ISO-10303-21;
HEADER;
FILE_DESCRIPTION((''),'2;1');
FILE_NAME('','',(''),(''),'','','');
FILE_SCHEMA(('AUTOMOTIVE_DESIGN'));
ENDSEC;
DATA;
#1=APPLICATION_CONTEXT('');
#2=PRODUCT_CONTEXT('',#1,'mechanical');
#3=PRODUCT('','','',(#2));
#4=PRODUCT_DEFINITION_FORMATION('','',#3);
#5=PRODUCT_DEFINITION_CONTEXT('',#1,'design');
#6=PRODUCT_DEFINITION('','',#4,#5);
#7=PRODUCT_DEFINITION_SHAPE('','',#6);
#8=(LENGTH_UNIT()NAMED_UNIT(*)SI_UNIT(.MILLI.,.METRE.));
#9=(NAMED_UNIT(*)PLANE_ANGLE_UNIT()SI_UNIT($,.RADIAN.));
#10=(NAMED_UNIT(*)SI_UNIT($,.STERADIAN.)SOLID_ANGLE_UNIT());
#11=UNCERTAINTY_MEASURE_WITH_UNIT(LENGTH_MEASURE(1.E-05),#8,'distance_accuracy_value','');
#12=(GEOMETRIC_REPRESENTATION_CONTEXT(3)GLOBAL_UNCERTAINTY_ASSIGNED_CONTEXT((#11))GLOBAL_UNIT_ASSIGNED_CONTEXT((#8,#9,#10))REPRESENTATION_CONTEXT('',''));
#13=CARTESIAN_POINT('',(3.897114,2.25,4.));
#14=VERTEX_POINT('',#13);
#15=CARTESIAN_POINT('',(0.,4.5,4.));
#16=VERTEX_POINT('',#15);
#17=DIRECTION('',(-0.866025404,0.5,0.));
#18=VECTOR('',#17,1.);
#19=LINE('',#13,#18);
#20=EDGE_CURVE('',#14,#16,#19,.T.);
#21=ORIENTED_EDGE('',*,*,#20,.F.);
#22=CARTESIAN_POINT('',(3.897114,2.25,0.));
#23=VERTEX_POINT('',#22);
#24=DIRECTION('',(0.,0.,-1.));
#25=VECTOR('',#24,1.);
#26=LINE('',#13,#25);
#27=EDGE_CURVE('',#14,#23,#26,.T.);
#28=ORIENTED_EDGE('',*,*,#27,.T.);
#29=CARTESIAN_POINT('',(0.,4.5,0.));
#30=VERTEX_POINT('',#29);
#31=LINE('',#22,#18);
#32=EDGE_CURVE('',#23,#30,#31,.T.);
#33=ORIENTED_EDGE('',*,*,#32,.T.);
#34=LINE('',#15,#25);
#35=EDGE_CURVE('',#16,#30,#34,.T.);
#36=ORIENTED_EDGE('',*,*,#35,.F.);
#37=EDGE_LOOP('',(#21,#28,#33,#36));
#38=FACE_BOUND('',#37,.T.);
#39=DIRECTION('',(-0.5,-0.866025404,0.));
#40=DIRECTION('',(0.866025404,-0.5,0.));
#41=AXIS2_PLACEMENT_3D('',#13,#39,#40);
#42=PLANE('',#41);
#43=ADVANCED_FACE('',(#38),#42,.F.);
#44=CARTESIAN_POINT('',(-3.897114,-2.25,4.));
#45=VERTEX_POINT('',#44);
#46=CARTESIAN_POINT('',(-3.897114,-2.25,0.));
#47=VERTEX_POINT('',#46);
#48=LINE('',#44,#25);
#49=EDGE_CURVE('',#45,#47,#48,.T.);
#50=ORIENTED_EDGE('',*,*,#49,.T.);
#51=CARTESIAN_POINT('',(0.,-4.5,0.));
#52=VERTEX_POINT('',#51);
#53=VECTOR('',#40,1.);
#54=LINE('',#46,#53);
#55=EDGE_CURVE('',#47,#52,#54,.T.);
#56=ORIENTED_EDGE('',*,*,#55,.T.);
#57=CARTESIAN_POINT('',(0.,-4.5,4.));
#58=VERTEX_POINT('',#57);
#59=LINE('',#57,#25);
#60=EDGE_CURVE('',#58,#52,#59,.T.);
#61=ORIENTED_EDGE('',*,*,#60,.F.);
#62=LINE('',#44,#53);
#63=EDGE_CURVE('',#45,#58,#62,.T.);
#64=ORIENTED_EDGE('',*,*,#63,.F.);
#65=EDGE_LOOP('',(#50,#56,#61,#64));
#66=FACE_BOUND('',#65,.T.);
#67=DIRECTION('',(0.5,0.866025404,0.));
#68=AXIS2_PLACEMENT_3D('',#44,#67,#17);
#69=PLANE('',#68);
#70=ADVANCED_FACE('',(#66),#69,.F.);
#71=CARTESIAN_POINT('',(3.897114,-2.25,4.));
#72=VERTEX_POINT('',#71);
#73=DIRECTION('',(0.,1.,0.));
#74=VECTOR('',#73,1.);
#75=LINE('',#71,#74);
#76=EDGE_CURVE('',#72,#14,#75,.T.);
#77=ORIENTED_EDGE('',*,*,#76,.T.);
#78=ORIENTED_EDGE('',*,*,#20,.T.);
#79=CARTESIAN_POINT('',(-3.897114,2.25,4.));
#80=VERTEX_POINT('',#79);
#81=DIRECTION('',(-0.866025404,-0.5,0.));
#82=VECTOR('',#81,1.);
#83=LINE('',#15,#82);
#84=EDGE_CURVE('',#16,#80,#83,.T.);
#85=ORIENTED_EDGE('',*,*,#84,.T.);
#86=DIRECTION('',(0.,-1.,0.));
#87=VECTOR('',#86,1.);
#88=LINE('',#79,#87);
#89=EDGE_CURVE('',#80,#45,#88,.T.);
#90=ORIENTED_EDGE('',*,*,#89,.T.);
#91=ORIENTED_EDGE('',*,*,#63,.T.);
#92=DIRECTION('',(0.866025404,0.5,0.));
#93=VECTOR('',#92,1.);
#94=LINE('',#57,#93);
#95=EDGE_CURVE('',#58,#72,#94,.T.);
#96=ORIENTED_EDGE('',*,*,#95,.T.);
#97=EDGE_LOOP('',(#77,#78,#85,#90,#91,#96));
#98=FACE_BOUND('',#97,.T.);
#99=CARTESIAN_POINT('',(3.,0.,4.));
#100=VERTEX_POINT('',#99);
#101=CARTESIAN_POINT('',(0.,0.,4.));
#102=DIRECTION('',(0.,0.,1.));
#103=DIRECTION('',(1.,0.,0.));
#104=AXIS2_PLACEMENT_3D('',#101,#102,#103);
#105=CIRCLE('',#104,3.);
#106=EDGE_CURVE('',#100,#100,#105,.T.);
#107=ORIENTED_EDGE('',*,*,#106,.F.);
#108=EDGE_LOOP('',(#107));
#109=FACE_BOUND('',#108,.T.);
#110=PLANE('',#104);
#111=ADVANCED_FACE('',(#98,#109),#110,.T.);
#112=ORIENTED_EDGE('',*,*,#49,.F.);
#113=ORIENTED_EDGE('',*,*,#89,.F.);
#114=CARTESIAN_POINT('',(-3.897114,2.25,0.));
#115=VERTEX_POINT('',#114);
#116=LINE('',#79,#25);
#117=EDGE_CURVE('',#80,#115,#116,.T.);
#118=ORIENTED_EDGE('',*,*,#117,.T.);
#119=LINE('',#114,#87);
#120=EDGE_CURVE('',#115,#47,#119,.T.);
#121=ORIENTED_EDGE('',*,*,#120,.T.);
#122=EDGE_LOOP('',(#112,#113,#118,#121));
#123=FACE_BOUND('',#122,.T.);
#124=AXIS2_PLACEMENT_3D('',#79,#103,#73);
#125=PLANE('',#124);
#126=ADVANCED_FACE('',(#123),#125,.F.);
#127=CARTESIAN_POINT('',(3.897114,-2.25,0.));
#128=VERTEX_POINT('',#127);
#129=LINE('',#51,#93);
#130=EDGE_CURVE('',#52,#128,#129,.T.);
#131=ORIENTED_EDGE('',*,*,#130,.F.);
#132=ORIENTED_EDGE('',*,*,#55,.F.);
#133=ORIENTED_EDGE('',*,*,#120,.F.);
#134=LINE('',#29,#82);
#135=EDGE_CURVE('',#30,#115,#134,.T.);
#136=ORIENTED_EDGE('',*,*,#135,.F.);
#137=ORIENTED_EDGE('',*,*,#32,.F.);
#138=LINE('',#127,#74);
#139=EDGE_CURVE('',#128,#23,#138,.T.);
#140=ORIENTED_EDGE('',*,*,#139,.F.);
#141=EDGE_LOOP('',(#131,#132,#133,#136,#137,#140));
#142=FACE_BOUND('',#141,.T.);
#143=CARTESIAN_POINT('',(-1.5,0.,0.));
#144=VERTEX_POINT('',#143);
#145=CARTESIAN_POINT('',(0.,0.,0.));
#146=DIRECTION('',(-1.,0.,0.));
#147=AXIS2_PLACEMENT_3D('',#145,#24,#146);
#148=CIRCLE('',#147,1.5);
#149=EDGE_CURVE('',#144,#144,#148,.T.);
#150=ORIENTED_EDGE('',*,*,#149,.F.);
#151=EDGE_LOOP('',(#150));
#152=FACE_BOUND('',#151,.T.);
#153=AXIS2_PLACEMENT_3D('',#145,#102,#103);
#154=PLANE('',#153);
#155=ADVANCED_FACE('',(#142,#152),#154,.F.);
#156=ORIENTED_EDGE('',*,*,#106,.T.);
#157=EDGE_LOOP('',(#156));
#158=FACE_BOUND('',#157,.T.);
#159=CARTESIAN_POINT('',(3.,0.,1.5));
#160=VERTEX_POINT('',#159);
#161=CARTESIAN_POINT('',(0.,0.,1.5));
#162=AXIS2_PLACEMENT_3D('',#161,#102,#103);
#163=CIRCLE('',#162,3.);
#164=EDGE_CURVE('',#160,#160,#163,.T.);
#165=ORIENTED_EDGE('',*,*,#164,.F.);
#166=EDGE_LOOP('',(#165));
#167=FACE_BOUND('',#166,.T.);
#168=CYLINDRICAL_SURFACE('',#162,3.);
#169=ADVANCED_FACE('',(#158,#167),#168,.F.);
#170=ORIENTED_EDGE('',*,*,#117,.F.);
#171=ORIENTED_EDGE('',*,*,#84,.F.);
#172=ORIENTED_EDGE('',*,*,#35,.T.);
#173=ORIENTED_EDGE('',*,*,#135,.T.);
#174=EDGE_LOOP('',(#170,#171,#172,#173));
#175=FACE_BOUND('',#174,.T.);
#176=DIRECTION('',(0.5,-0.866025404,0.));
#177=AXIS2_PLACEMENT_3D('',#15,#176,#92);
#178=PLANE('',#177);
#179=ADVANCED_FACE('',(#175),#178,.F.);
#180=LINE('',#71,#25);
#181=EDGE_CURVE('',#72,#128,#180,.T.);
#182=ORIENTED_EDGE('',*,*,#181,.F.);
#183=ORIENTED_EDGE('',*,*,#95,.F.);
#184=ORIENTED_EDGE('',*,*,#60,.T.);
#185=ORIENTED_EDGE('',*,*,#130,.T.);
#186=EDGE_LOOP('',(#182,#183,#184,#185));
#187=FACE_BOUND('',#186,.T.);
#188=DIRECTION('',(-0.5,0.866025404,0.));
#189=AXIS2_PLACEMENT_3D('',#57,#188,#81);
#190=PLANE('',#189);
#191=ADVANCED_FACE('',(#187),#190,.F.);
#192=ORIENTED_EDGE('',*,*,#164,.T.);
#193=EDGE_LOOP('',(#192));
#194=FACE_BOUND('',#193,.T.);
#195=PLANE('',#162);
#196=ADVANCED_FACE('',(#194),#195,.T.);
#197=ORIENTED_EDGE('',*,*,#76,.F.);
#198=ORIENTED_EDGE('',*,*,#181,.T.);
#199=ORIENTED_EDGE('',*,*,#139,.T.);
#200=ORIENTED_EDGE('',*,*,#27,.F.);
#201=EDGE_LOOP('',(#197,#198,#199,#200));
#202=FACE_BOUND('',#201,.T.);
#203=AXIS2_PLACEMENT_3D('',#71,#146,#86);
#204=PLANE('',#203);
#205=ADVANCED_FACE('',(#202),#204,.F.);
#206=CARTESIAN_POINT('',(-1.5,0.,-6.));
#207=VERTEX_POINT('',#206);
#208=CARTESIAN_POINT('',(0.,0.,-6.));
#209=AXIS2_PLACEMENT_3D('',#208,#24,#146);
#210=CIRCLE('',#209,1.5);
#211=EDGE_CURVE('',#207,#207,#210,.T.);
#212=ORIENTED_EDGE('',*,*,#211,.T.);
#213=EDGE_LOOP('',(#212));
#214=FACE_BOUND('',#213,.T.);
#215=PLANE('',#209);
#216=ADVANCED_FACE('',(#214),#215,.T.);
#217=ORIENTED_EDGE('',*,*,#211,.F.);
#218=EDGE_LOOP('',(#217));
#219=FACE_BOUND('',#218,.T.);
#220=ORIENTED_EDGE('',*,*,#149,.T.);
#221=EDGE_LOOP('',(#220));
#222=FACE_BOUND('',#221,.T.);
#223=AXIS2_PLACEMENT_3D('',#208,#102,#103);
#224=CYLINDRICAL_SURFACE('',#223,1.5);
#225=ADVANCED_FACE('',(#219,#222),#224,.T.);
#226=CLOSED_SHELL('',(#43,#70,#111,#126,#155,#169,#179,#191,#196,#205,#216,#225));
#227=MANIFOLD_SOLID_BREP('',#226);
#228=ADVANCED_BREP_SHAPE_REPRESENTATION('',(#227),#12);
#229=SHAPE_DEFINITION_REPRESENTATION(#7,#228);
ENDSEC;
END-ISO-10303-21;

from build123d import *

# Parameters (mm, degrees)
EXTRUDE_1_DEPTH     = 4
SKETCH_3_R          = 1.5
EXTRUDE_2_DEPTH     = 6
SKETCH_4_R          = 3
CUT_EXTRUDE_1_DEPTH = 2.5


with BuildPart() as part:
    # ｽｹｯﾁ2 → ﾎﾞｽ - 押し出し1 (new body)
    with BuildSketch(Plane.XY):
        Polygon((3.897114317, -2.25), (3.897114317, 2.25), (0, 4.5), (-3.897114317, 2.25), (-3.897114317, -2.25), (0, -4.5), align=None)
    extrude(amount=EXTRUDE_1_DEPTH)

    # ｽｹｯﾁ3 → ﾎﾞｽ - 押し出し2 (add)
    with BuildSketch(Plane(origin=(0, 0, 0), x_dir=(-1, 0, 0), z_dir=(0, 0, -1))):
        Circle(SKETCH_3_R)
    extrude(amount=EXTRUDE_2_DEPTH)

    # ｽｹｯﾁ4 → ｶｯﾄ - 押し出し1 (cut)
    with BuildSketch(Plane.XY.offset(4)):
        Circle(SKETCH_4_R)
    extrude(amount=-CUT_EXTRUDE_1_DEPTH, mode=Mode.SUBTRACT)


solid = part.part
